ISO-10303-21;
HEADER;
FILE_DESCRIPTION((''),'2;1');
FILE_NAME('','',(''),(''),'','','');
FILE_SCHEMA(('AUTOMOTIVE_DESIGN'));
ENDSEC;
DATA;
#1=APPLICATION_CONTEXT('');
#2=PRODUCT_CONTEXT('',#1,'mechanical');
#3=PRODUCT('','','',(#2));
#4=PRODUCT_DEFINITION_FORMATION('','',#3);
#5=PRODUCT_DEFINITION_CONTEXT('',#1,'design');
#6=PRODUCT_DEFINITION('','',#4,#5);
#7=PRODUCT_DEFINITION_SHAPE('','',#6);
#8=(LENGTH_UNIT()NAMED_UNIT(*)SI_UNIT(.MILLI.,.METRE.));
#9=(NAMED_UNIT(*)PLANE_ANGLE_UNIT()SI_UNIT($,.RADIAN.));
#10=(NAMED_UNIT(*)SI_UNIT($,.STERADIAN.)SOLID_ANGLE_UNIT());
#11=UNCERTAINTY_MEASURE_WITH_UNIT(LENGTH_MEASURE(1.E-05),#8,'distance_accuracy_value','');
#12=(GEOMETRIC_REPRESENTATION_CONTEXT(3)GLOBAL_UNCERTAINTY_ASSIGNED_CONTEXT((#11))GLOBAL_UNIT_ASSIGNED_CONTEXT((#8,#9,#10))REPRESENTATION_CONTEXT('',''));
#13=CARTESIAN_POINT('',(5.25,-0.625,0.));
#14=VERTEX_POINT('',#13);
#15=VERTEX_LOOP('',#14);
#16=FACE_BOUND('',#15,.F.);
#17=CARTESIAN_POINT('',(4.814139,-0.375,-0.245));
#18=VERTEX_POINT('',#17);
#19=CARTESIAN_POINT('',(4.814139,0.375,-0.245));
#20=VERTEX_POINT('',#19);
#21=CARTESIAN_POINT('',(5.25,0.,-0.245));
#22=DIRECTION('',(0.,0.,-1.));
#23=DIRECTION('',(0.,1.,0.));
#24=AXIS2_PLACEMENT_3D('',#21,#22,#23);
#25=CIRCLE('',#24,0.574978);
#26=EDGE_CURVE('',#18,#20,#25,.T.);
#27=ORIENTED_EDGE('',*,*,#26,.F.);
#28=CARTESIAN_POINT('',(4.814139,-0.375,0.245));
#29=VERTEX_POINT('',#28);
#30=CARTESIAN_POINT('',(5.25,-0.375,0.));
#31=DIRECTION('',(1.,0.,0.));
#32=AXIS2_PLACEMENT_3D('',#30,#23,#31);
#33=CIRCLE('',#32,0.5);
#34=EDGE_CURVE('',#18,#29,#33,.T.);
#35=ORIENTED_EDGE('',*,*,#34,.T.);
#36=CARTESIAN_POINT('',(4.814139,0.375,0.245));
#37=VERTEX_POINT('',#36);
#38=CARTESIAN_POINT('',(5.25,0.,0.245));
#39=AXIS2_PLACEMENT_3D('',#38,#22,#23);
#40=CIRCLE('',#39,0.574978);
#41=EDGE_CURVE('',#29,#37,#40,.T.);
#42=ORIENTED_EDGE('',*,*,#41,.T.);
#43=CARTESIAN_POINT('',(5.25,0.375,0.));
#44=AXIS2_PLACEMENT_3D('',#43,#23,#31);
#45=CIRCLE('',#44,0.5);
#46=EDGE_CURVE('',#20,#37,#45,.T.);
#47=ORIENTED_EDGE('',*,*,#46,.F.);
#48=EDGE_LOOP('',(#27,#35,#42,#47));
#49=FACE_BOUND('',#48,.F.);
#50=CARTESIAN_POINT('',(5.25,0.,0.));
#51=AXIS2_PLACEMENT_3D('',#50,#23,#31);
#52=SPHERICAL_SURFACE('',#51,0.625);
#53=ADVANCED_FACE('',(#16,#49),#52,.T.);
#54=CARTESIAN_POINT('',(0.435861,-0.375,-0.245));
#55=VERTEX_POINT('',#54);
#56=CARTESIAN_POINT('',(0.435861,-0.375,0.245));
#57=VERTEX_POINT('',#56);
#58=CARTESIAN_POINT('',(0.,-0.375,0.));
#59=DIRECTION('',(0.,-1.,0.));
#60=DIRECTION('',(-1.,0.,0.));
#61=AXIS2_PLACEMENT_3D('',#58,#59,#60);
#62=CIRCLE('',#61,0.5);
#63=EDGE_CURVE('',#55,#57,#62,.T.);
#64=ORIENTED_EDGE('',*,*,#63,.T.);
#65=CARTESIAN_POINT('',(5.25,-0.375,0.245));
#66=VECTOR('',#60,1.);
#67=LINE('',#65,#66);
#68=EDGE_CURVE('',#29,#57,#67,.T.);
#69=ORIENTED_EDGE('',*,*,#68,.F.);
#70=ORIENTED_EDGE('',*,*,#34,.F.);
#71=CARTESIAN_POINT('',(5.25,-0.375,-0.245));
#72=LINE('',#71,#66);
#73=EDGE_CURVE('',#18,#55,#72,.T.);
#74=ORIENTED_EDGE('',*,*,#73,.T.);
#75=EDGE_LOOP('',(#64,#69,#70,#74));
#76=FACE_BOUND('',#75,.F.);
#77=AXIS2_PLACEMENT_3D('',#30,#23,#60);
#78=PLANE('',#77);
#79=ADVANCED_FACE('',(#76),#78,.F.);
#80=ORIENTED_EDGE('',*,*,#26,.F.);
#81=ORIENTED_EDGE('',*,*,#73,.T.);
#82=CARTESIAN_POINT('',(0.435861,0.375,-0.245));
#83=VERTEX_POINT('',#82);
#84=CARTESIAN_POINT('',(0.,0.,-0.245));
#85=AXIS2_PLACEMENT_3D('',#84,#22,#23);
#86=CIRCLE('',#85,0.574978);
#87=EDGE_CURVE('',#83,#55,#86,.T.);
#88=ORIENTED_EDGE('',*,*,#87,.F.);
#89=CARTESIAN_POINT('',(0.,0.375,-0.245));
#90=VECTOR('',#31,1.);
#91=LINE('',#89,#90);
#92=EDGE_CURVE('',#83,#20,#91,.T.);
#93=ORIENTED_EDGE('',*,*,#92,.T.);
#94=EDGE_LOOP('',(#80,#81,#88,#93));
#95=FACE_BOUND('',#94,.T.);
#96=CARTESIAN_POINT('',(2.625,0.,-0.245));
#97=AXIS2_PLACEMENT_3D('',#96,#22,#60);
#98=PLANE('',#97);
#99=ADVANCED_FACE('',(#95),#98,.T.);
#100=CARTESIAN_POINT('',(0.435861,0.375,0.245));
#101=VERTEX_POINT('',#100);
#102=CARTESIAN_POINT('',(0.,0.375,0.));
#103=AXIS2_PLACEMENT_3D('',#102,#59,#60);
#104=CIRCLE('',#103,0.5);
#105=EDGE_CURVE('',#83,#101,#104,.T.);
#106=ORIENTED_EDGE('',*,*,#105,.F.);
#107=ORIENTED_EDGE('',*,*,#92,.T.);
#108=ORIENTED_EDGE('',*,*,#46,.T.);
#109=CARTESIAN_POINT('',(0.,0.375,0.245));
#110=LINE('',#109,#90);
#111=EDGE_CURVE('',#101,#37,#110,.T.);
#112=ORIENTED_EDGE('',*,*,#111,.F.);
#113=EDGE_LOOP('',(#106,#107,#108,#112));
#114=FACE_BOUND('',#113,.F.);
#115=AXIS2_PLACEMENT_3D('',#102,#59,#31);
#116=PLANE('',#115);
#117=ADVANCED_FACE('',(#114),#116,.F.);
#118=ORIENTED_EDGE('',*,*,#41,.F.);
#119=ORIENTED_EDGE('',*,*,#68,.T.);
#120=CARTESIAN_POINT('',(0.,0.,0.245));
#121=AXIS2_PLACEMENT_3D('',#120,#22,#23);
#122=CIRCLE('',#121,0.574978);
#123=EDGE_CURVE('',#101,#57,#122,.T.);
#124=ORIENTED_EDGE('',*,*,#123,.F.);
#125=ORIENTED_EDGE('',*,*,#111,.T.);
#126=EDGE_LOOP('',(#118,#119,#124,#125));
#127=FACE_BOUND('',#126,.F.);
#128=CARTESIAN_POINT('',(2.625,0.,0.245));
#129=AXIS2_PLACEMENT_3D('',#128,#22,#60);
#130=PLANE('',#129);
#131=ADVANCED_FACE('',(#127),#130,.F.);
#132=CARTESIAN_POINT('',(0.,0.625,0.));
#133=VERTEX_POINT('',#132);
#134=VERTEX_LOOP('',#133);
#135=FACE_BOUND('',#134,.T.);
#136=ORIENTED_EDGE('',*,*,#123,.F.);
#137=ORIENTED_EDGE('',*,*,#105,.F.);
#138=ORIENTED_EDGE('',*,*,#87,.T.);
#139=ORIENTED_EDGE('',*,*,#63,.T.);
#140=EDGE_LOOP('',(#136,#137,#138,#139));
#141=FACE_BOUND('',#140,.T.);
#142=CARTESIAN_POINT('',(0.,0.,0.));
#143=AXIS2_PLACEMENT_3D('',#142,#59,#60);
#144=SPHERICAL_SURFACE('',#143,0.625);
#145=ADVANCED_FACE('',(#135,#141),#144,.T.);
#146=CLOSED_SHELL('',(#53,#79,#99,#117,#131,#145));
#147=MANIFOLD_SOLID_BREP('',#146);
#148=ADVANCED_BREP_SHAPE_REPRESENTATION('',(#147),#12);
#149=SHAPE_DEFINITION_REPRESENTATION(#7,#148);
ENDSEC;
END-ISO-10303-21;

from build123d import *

# Parameters (mm, degrees)
PAD_DEPTH = 0.245


with BuildPart() as part:
    # Sketch → Pad (new body, symmetric)
    with BuildSketch(Plane.XY):
        with BuildLine():
            Line((0, 0.375), (5.25, 0.375))
            ThreePointArc((5.25, -0.375), (5.625, 0), (5.25, 0.375))
            Line((5.25, -0.375), (0, -0.375))
            ThreePointArc((0, 0.375), (-0.375, 0), (0, -0.375))
        make_face()
    extrude(amount=PAD_DEPTH, both=True)

    # Sketch001 → Revolution (revolve)
    with BuildSketch(Plane.XY):
        with BuildLine():
            Line((0, 0.625), (0, 0))
            Line((0, 0), (0, -0.625))
            ThreePointArc((0, 0.625), (-0.625, 0), (0, -0.625))
        make_face()
    revolve(axis=Axis((0, 0, 0), (0, -1, 0)))

    # Sketch002 → Revolution001 (revolve)
    with BuildSketch(Plane.XY):
        with BuildLine():
            ThreePointArc((5.25, -0.625), (5.875, 0), (5.25, 0.625))
            Line((5.25, 0.625), (5.25, 0))
            Line((5.25, 0), (5.25, -0.625))
        make_face()
    revolve(axis=Axis((5.25, 0, 0), (0, -1, 0)))


solid = part.part
